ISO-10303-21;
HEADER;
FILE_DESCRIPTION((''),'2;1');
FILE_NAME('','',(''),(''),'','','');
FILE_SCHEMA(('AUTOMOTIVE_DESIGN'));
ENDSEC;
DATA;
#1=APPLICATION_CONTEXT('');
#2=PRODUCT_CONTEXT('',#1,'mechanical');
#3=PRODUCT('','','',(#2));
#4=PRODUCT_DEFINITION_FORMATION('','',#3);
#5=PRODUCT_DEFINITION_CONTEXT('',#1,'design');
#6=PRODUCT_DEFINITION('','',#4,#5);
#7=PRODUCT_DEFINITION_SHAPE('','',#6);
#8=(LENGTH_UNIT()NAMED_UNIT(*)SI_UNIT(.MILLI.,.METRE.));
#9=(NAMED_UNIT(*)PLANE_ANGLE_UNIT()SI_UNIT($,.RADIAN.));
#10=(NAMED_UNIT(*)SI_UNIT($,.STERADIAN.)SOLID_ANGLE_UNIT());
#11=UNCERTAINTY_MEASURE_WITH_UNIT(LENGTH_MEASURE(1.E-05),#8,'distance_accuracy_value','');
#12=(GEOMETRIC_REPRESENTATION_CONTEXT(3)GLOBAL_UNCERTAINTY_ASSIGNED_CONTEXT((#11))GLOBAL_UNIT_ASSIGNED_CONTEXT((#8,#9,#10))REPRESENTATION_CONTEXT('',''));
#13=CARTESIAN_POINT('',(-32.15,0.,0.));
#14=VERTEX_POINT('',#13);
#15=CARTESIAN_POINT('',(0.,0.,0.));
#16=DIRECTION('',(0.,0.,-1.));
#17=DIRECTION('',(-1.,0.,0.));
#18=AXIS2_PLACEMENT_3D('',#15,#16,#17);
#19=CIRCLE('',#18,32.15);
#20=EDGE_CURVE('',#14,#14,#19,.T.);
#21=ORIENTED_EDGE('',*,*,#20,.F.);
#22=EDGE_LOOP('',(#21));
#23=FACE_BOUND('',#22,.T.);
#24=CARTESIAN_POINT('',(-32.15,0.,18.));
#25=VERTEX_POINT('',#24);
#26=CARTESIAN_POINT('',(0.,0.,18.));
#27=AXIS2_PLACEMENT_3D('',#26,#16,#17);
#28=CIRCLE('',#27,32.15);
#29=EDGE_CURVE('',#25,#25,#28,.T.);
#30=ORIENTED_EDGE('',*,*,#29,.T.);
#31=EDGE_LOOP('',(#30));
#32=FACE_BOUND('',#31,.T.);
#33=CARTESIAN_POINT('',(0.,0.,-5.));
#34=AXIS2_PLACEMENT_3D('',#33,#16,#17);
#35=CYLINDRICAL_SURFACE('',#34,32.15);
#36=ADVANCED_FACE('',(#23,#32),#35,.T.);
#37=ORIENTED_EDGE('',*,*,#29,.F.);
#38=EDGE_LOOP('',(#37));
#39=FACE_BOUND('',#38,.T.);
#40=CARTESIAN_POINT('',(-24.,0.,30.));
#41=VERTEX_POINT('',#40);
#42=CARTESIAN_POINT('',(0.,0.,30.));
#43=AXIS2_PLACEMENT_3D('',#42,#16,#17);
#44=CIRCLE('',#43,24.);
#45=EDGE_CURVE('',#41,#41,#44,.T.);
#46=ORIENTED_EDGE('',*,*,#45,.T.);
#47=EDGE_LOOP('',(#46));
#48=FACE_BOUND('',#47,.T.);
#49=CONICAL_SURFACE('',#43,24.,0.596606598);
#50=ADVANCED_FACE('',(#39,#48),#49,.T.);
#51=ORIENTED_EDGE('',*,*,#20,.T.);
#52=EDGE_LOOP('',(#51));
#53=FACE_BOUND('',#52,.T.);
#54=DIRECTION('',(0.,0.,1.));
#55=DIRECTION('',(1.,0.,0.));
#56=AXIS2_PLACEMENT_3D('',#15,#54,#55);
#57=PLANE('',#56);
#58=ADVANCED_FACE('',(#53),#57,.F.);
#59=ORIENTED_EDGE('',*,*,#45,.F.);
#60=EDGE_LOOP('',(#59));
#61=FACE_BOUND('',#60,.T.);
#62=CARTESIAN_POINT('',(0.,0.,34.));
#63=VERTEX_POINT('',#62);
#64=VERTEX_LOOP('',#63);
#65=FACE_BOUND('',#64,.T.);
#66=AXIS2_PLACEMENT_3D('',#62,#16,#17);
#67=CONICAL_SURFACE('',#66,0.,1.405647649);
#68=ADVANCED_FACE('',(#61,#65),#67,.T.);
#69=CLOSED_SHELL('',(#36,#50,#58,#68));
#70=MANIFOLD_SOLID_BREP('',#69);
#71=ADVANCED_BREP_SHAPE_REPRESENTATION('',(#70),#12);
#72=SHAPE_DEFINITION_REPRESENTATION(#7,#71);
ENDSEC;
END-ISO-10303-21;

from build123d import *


with BuildPart() as part:
    # Revolve profile 1 → Revolve 1 (revolve)
    with BuildSketch(Plane(origin=(0, 0, 0), x_dir=(1, 0, 0), z_dir=(0, 1, 0)), mode=Mode.PRIVATE) as revolve_1_sk:
        Polygon((0, -34), (0, 0), (32.15, 0), (32.15, -18), (24, -30), align=None)
    revolve(revolve_1_sk.sketch.rotate(Axis((0, 0, -5), (0, 0, 1)), 180), axis=Axis((0, 0, -5), (0, 0, 1)))


solid = part.part
